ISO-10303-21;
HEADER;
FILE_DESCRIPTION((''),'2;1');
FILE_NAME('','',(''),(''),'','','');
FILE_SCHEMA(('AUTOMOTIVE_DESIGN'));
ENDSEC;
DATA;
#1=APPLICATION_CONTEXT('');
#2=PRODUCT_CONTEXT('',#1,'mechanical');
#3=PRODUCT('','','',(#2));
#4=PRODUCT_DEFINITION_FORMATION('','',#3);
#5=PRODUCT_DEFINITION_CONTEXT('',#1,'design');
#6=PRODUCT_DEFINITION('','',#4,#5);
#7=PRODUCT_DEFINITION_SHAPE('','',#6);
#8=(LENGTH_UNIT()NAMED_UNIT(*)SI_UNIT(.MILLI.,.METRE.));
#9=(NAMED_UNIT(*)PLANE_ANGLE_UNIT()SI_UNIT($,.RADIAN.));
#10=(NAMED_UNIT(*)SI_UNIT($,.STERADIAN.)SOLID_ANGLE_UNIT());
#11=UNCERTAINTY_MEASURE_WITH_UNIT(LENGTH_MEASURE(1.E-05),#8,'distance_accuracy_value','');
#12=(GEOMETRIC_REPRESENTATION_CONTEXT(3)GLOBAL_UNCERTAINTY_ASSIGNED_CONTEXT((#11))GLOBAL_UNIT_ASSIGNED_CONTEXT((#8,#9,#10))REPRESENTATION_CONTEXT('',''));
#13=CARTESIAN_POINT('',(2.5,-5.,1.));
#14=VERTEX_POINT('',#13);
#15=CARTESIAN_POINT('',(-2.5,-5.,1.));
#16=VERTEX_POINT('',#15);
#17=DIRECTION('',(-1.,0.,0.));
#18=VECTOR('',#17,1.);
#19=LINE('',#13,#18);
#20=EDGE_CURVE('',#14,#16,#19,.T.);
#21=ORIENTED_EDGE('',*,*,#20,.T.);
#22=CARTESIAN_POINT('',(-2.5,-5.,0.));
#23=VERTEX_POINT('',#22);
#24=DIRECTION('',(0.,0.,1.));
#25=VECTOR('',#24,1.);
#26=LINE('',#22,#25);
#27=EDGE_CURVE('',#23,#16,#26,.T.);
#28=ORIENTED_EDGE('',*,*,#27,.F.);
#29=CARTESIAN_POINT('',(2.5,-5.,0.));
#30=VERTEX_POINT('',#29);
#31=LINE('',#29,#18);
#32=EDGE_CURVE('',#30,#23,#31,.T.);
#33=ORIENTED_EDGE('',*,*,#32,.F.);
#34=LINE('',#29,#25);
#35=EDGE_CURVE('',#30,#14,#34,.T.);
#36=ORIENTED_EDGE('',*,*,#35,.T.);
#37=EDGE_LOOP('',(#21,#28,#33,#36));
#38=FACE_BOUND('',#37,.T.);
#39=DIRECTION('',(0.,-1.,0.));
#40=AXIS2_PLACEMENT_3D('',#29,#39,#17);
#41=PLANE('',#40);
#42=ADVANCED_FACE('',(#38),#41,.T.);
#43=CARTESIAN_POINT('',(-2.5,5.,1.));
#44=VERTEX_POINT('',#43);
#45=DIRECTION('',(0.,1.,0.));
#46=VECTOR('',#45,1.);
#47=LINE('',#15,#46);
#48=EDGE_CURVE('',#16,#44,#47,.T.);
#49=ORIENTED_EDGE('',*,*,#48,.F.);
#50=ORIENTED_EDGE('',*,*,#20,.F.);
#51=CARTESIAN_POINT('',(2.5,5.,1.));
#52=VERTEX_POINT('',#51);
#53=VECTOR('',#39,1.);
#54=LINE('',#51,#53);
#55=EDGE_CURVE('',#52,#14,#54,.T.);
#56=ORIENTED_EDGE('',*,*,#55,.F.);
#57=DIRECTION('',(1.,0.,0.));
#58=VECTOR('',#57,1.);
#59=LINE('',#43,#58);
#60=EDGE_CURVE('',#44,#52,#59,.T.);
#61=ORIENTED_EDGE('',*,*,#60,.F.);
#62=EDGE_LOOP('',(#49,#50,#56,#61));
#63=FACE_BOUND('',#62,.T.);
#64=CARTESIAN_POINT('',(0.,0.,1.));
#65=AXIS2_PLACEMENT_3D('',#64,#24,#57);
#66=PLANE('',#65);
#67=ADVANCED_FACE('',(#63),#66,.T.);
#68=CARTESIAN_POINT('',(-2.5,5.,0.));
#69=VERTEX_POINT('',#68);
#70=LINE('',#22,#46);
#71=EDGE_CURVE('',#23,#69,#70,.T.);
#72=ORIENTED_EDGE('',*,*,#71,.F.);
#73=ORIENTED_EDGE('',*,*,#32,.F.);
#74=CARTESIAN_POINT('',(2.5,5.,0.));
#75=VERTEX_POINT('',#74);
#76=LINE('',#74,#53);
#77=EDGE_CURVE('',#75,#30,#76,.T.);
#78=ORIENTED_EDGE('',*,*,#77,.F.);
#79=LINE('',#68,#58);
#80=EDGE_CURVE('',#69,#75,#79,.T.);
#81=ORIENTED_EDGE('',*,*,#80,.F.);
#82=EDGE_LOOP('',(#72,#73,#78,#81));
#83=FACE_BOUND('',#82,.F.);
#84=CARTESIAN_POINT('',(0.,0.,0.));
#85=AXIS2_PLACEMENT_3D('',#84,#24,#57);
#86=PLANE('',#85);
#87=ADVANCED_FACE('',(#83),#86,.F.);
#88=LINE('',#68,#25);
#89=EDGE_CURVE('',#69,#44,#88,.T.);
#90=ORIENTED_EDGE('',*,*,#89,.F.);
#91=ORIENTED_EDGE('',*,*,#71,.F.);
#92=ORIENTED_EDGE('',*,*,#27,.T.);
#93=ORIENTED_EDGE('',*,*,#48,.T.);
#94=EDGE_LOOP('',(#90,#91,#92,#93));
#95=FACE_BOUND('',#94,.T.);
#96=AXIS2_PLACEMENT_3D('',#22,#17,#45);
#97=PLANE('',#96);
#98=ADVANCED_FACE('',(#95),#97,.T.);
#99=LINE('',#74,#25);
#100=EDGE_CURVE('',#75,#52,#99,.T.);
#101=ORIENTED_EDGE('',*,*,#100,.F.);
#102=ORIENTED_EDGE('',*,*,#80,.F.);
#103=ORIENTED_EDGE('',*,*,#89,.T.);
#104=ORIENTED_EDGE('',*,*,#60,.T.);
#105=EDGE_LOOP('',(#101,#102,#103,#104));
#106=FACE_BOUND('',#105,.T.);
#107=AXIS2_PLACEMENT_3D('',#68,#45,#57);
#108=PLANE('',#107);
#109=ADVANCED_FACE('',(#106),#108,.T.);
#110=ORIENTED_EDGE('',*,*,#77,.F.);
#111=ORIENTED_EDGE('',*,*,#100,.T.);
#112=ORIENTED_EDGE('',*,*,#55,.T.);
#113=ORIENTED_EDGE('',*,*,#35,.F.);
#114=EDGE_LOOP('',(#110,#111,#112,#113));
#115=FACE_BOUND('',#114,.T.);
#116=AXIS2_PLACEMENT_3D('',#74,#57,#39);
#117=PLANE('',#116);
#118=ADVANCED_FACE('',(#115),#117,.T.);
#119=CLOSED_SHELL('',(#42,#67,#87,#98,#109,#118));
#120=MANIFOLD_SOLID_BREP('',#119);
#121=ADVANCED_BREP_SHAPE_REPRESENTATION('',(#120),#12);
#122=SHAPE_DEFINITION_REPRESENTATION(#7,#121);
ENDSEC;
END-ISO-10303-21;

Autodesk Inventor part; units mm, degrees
ref_plane "YZ Plane" through (0, 0, 0) normal (1, 0, 0) x (0, 1, 0)
ref_plane "XZ Plane" through (0, 0, 0) normal (0, 1, 0) x (-1, 0, 0)
ref_plane "XY Plane" through (0, 0, 0) normal (0, 0, 1) x (1, 0, 0)
sketch "草图1" plane through (0, 0, 0) normal (0, 0, 1) x (1, 0, 0)
  line L0 (2.5, -5) -> (-2.5, -5)
  line L1 (-2.5, -5) -> (-2.5, 5)
  line L2 (-2.5, 5) -> (2.5, 5)
  line L3 (2.5, 5) -> (2.5, -5)
  line L4 (2.5, -5) -> (-2.5, 5) construction
  line L5 (-2.5, -5) -> (2.5, 5) construction
  point P0 (0, 0)
  dimension "d0" = 5
  dimension "d1" = 10
extrude "拉伸1" add sketch "草图1" along normal blind 1
properties part number "磁铁"
